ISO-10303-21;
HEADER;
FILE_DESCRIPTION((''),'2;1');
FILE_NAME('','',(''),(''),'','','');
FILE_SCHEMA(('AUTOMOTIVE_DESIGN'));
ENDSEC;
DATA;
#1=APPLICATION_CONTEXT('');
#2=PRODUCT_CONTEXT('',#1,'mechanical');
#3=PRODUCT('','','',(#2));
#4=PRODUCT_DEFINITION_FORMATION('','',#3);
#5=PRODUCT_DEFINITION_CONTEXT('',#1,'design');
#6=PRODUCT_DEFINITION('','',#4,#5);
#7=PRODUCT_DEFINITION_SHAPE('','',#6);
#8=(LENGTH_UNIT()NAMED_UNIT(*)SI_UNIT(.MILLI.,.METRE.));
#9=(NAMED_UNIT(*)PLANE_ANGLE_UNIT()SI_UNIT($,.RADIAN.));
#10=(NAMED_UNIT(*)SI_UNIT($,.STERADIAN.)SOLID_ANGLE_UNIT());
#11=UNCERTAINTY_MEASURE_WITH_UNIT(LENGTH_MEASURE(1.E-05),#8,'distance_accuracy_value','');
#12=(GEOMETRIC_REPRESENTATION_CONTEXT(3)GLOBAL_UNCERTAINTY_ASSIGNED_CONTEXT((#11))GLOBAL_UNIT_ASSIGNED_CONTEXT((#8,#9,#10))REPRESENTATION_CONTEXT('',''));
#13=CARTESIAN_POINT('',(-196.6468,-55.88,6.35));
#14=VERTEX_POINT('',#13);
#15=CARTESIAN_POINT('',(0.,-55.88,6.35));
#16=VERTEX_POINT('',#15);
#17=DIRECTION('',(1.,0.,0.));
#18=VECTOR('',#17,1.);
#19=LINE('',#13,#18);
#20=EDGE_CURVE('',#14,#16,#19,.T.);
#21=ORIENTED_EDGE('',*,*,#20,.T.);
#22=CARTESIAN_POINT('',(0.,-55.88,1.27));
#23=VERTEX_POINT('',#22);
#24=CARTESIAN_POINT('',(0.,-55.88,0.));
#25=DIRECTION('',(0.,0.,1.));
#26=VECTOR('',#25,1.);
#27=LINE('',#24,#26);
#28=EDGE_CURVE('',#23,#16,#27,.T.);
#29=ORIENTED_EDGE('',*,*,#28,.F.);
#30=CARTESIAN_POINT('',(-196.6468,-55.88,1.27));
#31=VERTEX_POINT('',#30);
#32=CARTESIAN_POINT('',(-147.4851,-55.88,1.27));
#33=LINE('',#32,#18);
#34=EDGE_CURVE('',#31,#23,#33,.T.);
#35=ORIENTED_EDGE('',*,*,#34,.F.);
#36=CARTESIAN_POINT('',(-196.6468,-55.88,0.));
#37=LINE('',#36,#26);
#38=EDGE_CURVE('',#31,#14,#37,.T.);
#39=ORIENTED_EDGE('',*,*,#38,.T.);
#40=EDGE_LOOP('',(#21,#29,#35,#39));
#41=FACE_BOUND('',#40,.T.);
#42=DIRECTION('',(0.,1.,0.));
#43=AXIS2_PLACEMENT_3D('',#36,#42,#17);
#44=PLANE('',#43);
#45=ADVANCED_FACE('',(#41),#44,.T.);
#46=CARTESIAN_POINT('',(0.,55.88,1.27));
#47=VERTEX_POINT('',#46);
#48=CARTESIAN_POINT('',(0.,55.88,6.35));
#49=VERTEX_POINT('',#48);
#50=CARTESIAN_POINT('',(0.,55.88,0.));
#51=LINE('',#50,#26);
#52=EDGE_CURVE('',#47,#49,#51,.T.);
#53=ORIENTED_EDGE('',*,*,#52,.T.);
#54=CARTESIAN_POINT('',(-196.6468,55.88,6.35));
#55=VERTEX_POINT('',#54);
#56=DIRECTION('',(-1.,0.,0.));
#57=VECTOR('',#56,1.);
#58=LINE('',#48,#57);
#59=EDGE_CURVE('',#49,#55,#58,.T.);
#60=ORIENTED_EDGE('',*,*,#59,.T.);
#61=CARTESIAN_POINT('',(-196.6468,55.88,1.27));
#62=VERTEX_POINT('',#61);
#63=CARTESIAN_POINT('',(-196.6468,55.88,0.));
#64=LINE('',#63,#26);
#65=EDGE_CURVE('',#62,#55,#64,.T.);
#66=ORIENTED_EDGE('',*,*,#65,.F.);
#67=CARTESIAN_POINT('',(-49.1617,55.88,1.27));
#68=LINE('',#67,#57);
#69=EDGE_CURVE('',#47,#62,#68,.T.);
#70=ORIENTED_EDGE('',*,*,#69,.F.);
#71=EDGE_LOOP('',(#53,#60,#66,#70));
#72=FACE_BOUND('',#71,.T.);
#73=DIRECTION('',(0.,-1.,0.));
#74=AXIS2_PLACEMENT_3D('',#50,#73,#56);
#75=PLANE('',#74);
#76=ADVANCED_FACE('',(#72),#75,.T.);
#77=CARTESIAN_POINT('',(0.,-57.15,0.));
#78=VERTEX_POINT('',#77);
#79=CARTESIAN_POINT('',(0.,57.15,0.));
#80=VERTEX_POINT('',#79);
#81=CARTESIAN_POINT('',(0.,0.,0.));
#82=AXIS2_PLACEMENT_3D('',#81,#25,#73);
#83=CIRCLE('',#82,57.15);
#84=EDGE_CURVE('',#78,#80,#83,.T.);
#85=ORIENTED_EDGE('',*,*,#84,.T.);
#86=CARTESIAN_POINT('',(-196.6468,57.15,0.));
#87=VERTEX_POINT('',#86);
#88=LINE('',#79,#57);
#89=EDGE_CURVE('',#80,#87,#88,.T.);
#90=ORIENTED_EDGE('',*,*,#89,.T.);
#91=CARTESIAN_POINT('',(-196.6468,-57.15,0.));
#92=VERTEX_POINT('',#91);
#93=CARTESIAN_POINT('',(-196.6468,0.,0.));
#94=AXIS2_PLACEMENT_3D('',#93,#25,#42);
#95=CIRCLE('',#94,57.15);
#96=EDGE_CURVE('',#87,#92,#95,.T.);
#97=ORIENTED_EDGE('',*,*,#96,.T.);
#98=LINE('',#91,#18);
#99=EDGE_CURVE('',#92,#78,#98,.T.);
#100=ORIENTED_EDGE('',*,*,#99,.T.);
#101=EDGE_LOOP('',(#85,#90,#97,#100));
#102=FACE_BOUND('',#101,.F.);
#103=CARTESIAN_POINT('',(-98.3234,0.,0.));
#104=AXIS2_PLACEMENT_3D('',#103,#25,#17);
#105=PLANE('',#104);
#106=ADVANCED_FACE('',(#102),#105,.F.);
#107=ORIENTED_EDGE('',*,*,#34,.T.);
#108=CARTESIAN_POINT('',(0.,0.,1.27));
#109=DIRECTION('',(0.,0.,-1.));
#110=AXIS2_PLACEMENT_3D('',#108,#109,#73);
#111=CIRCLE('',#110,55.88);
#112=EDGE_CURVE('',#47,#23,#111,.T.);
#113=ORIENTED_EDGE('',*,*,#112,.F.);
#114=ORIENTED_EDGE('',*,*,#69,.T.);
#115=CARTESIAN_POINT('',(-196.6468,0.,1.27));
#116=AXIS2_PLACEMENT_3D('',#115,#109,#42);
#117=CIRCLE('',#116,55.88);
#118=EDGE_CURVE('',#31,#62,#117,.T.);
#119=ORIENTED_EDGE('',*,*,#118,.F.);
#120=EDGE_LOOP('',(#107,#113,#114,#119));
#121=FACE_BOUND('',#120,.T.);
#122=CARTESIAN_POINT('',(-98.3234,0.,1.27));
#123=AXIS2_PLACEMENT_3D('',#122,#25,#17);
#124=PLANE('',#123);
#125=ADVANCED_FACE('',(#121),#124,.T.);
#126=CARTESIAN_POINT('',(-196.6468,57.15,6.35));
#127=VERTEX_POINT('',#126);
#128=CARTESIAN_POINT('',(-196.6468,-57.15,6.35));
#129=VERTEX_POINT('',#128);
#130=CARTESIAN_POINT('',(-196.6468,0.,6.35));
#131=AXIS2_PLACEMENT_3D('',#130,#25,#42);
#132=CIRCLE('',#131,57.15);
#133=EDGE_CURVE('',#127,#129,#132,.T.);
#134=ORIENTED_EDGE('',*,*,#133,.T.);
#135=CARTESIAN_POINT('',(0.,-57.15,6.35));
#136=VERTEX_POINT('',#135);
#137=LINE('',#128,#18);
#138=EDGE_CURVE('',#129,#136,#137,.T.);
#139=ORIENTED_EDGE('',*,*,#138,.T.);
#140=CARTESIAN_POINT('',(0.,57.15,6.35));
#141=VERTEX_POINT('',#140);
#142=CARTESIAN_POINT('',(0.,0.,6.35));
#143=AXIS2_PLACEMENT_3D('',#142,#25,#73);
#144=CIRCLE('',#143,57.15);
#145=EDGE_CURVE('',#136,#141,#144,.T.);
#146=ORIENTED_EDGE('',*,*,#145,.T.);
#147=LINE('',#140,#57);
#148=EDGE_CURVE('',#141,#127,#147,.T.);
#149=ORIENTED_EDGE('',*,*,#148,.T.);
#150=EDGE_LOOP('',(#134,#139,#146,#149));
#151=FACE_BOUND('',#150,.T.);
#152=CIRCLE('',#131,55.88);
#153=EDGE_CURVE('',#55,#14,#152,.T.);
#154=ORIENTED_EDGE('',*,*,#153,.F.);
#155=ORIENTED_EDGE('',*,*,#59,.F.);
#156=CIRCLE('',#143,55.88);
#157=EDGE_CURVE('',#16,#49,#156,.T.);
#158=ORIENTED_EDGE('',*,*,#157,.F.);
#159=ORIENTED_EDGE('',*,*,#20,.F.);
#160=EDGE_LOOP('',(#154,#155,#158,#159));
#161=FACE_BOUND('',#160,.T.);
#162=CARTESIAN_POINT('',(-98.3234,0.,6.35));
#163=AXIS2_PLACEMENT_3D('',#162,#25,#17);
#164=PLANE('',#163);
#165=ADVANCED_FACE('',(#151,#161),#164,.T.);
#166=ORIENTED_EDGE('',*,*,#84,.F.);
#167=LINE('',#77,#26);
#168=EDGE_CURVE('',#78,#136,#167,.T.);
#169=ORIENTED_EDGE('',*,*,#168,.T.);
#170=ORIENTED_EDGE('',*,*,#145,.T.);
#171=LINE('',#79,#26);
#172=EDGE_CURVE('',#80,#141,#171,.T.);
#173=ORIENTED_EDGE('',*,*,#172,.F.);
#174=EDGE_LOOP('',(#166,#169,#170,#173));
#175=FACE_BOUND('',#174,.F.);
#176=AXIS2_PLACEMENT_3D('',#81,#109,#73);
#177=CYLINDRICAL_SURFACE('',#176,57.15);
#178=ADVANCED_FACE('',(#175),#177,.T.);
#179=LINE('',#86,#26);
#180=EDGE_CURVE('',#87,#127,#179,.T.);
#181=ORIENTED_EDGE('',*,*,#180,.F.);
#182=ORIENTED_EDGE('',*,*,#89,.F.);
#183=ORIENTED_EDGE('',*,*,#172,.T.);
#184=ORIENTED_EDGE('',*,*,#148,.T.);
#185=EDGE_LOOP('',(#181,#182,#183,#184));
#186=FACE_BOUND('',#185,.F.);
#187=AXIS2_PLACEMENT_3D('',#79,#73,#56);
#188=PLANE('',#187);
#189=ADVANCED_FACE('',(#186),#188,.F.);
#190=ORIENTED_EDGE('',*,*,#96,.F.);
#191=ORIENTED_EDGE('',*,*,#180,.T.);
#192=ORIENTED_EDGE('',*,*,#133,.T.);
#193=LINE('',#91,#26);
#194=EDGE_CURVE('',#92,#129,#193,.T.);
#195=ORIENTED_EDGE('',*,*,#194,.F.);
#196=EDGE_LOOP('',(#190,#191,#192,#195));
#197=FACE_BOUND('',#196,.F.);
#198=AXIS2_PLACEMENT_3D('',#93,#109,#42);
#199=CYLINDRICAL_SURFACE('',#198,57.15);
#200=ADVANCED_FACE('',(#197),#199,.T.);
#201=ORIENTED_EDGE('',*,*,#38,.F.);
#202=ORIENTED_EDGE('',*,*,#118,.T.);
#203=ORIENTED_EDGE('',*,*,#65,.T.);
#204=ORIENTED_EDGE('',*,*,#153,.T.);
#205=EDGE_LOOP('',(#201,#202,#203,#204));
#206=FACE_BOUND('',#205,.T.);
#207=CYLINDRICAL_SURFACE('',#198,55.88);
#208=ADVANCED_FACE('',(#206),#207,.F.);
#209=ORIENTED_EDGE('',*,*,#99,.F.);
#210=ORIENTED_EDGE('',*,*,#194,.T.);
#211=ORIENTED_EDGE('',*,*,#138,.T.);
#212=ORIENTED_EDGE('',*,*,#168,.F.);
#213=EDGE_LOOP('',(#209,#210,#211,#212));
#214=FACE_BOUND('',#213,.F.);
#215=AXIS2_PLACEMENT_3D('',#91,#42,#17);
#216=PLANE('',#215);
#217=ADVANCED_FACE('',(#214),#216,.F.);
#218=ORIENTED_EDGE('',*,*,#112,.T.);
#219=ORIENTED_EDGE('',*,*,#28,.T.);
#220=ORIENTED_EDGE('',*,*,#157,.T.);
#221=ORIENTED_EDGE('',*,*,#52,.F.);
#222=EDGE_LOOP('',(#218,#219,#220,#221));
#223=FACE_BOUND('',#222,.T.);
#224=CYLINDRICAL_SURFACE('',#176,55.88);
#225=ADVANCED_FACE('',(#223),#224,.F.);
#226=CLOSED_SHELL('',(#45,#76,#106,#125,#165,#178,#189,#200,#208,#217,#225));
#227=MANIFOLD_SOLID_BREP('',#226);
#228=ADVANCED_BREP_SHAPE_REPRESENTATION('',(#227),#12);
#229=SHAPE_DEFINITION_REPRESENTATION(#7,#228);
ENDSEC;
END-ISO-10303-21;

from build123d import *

# Parameters (mm, degrees)
F1_DEPTH = 6.35
F2_T     = -1.27


with BuildPart() as f1:
    # F0 (on Top) → F1 (new body)
    with BuildSketch(Plane.XY):
        with BuildLine():
            Line((0, 57.15), (-196.6468, 57.15))
            ThreePointArc((-196.6468, 57.15), (-253.7968, 0), (-196.6468, -57.15))
            Line((-196.6468, -57.15), (0, -57.15))
            ThreePointArc((0, -57.15), (57.15, 0), (0, 57.15))
        make_face()
    extrude(amount=F1_DEPTH)

    # F2
    f2_openings = [f1.faces().sort_by_distance(p)[0] for p in [
        (-98.3234, 0, 6.35),
    ]]
    offset(amount=F2_T, openings=f2_openings)


solid = f1.part
